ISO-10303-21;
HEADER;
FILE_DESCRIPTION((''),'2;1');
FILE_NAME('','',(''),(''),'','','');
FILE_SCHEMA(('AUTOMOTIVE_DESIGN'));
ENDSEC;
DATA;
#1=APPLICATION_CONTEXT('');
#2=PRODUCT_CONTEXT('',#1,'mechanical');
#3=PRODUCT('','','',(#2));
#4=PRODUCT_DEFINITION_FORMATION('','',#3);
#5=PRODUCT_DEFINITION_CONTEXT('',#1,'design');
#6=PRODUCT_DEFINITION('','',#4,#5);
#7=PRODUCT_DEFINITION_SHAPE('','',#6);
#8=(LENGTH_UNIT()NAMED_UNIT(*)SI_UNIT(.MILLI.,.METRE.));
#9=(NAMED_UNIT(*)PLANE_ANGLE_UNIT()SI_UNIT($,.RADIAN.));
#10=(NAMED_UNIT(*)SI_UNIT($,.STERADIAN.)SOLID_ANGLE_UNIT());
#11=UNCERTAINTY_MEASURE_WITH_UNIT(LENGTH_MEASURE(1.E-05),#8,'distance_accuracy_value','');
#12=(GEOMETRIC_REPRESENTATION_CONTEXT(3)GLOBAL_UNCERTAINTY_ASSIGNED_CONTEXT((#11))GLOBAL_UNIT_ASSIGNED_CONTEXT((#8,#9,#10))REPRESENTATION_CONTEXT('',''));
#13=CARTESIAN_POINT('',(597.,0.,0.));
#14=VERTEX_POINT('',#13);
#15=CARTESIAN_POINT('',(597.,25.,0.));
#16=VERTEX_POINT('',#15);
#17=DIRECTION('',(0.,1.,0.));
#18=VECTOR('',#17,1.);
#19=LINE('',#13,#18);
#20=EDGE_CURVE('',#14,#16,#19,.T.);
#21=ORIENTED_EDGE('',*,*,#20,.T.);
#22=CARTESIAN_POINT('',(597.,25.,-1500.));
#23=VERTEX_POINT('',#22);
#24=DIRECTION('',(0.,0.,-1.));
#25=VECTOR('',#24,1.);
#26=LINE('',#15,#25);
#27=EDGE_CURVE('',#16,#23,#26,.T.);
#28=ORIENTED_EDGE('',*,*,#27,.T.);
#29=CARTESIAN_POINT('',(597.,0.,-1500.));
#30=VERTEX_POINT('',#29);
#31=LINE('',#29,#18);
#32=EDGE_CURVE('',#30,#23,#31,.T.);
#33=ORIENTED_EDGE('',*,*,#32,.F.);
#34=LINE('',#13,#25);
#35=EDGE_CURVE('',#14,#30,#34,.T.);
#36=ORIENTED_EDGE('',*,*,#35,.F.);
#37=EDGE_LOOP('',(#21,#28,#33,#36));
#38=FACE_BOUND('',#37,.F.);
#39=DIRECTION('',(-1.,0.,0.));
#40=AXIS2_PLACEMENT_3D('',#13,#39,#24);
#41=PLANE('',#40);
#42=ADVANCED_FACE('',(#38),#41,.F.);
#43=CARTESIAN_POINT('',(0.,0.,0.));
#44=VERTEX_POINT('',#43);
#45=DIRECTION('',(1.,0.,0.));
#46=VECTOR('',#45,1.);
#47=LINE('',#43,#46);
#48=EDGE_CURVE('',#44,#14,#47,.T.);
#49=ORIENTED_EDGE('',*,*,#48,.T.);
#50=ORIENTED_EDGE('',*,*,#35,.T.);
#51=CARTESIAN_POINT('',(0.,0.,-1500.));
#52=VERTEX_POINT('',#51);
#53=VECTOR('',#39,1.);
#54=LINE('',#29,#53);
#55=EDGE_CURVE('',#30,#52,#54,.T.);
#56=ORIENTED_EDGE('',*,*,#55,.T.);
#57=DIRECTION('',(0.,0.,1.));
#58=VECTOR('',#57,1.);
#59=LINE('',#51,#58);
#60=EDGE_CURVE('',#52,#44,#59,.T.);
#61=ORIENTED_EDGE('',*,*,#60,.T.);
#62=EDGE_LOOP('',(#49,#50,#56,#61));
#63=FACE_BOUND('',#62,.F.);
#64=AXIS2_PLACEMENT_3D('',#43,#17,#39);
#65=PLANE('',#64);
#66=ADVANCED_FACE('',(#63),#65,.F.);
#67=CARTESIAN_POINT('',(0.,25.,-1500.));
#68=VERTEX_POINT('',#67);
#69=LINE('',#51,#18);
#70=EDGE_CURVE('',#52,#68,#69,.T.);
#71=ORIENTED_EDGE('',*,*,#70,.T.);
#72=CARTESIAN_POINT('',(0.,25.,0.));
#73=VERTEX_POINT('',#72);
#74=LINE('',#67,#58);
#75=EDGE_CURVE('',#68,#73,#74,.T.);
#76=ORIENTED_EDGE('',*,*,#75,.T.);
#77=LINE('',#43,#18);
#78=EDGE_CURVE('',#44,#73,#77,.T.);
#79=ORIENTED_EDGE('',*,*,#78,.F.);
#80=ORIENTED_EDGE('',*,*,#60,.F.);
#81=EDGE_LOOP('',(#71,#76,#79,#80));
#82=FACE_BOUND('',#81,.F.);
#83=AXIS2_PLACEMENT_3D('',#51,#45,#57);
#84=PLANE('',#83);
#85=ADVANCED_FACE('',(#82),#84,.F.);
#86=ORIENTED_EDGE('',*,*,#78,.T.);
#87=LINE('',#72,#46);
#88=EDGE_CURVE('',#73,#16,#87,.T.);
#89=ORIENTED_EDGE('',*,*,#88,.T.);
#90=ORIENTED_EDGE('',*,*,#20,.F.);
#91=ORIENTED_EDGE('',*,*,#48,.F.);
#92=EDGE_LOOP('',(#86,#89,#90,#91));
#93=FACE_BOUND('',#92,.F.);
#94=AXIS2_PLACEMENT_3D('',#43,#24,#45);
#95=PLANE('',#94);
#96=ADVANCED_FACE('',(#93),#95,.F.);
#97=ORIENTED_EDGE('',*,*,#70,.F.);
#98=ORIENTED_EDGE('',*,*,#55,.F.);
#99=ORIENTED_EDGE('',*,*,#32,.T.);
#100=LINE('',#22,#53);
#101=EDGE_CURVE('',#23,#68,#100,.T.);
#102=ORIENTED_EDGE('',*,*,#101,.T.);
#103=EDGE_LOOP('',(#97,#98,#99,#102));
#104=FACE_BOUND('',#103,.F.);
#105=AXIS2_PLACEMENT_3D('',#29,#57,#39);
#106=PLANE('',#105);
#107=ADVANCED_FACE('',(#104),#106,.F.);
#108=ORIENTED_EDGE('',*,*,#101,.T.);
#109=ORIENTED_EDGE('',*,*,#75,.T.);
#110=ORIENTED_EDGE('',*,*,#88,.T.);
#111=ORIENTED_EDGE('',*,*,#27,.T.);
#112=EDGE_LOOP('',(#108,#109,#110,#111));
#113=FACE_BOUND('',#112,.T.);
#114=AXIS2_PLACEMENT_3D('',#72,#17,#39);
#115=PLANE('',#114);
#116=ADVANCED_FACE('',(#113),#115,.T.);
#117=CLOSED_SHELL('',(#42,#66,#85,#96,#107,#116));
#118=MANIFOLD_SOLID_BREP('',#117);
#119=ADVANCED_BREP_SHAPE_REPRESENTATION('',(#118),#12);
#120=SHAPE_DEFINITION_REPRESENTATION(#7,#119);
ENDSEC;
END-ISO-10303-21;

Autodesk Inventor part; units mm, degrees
ref_plane "YZ Plane" through (0, 0, 0) normal (1, 0, 0) x (0, 1, 0)
ref_plane "XZ Plane" through (0, 0, 0) normal (0, 1, 0) x (-1, 0, 0)
ref_plane "XY Plane" through (0, 0, 0) normal (0, 0, 1) x (1, 0, 0)
sketch "Boceto1" plane through (0, 0, 0) normal (0, 1, 0) x (-1, 0, 0)
  line L0 (0, 0) -> (-597, 0)
  line L1 (-597, 0) -> (-597, -1500)
  line L2 (-597, -1500) -> (0, -1500)
  line L3 (0, -1500) -> (0, 0)
  dimension "d0" = 597
  dimension "d1" = 1500
extrude "Extrusión1" add sketch "Boceto1" along normal blind 25
properties part number "Tablero 1"
